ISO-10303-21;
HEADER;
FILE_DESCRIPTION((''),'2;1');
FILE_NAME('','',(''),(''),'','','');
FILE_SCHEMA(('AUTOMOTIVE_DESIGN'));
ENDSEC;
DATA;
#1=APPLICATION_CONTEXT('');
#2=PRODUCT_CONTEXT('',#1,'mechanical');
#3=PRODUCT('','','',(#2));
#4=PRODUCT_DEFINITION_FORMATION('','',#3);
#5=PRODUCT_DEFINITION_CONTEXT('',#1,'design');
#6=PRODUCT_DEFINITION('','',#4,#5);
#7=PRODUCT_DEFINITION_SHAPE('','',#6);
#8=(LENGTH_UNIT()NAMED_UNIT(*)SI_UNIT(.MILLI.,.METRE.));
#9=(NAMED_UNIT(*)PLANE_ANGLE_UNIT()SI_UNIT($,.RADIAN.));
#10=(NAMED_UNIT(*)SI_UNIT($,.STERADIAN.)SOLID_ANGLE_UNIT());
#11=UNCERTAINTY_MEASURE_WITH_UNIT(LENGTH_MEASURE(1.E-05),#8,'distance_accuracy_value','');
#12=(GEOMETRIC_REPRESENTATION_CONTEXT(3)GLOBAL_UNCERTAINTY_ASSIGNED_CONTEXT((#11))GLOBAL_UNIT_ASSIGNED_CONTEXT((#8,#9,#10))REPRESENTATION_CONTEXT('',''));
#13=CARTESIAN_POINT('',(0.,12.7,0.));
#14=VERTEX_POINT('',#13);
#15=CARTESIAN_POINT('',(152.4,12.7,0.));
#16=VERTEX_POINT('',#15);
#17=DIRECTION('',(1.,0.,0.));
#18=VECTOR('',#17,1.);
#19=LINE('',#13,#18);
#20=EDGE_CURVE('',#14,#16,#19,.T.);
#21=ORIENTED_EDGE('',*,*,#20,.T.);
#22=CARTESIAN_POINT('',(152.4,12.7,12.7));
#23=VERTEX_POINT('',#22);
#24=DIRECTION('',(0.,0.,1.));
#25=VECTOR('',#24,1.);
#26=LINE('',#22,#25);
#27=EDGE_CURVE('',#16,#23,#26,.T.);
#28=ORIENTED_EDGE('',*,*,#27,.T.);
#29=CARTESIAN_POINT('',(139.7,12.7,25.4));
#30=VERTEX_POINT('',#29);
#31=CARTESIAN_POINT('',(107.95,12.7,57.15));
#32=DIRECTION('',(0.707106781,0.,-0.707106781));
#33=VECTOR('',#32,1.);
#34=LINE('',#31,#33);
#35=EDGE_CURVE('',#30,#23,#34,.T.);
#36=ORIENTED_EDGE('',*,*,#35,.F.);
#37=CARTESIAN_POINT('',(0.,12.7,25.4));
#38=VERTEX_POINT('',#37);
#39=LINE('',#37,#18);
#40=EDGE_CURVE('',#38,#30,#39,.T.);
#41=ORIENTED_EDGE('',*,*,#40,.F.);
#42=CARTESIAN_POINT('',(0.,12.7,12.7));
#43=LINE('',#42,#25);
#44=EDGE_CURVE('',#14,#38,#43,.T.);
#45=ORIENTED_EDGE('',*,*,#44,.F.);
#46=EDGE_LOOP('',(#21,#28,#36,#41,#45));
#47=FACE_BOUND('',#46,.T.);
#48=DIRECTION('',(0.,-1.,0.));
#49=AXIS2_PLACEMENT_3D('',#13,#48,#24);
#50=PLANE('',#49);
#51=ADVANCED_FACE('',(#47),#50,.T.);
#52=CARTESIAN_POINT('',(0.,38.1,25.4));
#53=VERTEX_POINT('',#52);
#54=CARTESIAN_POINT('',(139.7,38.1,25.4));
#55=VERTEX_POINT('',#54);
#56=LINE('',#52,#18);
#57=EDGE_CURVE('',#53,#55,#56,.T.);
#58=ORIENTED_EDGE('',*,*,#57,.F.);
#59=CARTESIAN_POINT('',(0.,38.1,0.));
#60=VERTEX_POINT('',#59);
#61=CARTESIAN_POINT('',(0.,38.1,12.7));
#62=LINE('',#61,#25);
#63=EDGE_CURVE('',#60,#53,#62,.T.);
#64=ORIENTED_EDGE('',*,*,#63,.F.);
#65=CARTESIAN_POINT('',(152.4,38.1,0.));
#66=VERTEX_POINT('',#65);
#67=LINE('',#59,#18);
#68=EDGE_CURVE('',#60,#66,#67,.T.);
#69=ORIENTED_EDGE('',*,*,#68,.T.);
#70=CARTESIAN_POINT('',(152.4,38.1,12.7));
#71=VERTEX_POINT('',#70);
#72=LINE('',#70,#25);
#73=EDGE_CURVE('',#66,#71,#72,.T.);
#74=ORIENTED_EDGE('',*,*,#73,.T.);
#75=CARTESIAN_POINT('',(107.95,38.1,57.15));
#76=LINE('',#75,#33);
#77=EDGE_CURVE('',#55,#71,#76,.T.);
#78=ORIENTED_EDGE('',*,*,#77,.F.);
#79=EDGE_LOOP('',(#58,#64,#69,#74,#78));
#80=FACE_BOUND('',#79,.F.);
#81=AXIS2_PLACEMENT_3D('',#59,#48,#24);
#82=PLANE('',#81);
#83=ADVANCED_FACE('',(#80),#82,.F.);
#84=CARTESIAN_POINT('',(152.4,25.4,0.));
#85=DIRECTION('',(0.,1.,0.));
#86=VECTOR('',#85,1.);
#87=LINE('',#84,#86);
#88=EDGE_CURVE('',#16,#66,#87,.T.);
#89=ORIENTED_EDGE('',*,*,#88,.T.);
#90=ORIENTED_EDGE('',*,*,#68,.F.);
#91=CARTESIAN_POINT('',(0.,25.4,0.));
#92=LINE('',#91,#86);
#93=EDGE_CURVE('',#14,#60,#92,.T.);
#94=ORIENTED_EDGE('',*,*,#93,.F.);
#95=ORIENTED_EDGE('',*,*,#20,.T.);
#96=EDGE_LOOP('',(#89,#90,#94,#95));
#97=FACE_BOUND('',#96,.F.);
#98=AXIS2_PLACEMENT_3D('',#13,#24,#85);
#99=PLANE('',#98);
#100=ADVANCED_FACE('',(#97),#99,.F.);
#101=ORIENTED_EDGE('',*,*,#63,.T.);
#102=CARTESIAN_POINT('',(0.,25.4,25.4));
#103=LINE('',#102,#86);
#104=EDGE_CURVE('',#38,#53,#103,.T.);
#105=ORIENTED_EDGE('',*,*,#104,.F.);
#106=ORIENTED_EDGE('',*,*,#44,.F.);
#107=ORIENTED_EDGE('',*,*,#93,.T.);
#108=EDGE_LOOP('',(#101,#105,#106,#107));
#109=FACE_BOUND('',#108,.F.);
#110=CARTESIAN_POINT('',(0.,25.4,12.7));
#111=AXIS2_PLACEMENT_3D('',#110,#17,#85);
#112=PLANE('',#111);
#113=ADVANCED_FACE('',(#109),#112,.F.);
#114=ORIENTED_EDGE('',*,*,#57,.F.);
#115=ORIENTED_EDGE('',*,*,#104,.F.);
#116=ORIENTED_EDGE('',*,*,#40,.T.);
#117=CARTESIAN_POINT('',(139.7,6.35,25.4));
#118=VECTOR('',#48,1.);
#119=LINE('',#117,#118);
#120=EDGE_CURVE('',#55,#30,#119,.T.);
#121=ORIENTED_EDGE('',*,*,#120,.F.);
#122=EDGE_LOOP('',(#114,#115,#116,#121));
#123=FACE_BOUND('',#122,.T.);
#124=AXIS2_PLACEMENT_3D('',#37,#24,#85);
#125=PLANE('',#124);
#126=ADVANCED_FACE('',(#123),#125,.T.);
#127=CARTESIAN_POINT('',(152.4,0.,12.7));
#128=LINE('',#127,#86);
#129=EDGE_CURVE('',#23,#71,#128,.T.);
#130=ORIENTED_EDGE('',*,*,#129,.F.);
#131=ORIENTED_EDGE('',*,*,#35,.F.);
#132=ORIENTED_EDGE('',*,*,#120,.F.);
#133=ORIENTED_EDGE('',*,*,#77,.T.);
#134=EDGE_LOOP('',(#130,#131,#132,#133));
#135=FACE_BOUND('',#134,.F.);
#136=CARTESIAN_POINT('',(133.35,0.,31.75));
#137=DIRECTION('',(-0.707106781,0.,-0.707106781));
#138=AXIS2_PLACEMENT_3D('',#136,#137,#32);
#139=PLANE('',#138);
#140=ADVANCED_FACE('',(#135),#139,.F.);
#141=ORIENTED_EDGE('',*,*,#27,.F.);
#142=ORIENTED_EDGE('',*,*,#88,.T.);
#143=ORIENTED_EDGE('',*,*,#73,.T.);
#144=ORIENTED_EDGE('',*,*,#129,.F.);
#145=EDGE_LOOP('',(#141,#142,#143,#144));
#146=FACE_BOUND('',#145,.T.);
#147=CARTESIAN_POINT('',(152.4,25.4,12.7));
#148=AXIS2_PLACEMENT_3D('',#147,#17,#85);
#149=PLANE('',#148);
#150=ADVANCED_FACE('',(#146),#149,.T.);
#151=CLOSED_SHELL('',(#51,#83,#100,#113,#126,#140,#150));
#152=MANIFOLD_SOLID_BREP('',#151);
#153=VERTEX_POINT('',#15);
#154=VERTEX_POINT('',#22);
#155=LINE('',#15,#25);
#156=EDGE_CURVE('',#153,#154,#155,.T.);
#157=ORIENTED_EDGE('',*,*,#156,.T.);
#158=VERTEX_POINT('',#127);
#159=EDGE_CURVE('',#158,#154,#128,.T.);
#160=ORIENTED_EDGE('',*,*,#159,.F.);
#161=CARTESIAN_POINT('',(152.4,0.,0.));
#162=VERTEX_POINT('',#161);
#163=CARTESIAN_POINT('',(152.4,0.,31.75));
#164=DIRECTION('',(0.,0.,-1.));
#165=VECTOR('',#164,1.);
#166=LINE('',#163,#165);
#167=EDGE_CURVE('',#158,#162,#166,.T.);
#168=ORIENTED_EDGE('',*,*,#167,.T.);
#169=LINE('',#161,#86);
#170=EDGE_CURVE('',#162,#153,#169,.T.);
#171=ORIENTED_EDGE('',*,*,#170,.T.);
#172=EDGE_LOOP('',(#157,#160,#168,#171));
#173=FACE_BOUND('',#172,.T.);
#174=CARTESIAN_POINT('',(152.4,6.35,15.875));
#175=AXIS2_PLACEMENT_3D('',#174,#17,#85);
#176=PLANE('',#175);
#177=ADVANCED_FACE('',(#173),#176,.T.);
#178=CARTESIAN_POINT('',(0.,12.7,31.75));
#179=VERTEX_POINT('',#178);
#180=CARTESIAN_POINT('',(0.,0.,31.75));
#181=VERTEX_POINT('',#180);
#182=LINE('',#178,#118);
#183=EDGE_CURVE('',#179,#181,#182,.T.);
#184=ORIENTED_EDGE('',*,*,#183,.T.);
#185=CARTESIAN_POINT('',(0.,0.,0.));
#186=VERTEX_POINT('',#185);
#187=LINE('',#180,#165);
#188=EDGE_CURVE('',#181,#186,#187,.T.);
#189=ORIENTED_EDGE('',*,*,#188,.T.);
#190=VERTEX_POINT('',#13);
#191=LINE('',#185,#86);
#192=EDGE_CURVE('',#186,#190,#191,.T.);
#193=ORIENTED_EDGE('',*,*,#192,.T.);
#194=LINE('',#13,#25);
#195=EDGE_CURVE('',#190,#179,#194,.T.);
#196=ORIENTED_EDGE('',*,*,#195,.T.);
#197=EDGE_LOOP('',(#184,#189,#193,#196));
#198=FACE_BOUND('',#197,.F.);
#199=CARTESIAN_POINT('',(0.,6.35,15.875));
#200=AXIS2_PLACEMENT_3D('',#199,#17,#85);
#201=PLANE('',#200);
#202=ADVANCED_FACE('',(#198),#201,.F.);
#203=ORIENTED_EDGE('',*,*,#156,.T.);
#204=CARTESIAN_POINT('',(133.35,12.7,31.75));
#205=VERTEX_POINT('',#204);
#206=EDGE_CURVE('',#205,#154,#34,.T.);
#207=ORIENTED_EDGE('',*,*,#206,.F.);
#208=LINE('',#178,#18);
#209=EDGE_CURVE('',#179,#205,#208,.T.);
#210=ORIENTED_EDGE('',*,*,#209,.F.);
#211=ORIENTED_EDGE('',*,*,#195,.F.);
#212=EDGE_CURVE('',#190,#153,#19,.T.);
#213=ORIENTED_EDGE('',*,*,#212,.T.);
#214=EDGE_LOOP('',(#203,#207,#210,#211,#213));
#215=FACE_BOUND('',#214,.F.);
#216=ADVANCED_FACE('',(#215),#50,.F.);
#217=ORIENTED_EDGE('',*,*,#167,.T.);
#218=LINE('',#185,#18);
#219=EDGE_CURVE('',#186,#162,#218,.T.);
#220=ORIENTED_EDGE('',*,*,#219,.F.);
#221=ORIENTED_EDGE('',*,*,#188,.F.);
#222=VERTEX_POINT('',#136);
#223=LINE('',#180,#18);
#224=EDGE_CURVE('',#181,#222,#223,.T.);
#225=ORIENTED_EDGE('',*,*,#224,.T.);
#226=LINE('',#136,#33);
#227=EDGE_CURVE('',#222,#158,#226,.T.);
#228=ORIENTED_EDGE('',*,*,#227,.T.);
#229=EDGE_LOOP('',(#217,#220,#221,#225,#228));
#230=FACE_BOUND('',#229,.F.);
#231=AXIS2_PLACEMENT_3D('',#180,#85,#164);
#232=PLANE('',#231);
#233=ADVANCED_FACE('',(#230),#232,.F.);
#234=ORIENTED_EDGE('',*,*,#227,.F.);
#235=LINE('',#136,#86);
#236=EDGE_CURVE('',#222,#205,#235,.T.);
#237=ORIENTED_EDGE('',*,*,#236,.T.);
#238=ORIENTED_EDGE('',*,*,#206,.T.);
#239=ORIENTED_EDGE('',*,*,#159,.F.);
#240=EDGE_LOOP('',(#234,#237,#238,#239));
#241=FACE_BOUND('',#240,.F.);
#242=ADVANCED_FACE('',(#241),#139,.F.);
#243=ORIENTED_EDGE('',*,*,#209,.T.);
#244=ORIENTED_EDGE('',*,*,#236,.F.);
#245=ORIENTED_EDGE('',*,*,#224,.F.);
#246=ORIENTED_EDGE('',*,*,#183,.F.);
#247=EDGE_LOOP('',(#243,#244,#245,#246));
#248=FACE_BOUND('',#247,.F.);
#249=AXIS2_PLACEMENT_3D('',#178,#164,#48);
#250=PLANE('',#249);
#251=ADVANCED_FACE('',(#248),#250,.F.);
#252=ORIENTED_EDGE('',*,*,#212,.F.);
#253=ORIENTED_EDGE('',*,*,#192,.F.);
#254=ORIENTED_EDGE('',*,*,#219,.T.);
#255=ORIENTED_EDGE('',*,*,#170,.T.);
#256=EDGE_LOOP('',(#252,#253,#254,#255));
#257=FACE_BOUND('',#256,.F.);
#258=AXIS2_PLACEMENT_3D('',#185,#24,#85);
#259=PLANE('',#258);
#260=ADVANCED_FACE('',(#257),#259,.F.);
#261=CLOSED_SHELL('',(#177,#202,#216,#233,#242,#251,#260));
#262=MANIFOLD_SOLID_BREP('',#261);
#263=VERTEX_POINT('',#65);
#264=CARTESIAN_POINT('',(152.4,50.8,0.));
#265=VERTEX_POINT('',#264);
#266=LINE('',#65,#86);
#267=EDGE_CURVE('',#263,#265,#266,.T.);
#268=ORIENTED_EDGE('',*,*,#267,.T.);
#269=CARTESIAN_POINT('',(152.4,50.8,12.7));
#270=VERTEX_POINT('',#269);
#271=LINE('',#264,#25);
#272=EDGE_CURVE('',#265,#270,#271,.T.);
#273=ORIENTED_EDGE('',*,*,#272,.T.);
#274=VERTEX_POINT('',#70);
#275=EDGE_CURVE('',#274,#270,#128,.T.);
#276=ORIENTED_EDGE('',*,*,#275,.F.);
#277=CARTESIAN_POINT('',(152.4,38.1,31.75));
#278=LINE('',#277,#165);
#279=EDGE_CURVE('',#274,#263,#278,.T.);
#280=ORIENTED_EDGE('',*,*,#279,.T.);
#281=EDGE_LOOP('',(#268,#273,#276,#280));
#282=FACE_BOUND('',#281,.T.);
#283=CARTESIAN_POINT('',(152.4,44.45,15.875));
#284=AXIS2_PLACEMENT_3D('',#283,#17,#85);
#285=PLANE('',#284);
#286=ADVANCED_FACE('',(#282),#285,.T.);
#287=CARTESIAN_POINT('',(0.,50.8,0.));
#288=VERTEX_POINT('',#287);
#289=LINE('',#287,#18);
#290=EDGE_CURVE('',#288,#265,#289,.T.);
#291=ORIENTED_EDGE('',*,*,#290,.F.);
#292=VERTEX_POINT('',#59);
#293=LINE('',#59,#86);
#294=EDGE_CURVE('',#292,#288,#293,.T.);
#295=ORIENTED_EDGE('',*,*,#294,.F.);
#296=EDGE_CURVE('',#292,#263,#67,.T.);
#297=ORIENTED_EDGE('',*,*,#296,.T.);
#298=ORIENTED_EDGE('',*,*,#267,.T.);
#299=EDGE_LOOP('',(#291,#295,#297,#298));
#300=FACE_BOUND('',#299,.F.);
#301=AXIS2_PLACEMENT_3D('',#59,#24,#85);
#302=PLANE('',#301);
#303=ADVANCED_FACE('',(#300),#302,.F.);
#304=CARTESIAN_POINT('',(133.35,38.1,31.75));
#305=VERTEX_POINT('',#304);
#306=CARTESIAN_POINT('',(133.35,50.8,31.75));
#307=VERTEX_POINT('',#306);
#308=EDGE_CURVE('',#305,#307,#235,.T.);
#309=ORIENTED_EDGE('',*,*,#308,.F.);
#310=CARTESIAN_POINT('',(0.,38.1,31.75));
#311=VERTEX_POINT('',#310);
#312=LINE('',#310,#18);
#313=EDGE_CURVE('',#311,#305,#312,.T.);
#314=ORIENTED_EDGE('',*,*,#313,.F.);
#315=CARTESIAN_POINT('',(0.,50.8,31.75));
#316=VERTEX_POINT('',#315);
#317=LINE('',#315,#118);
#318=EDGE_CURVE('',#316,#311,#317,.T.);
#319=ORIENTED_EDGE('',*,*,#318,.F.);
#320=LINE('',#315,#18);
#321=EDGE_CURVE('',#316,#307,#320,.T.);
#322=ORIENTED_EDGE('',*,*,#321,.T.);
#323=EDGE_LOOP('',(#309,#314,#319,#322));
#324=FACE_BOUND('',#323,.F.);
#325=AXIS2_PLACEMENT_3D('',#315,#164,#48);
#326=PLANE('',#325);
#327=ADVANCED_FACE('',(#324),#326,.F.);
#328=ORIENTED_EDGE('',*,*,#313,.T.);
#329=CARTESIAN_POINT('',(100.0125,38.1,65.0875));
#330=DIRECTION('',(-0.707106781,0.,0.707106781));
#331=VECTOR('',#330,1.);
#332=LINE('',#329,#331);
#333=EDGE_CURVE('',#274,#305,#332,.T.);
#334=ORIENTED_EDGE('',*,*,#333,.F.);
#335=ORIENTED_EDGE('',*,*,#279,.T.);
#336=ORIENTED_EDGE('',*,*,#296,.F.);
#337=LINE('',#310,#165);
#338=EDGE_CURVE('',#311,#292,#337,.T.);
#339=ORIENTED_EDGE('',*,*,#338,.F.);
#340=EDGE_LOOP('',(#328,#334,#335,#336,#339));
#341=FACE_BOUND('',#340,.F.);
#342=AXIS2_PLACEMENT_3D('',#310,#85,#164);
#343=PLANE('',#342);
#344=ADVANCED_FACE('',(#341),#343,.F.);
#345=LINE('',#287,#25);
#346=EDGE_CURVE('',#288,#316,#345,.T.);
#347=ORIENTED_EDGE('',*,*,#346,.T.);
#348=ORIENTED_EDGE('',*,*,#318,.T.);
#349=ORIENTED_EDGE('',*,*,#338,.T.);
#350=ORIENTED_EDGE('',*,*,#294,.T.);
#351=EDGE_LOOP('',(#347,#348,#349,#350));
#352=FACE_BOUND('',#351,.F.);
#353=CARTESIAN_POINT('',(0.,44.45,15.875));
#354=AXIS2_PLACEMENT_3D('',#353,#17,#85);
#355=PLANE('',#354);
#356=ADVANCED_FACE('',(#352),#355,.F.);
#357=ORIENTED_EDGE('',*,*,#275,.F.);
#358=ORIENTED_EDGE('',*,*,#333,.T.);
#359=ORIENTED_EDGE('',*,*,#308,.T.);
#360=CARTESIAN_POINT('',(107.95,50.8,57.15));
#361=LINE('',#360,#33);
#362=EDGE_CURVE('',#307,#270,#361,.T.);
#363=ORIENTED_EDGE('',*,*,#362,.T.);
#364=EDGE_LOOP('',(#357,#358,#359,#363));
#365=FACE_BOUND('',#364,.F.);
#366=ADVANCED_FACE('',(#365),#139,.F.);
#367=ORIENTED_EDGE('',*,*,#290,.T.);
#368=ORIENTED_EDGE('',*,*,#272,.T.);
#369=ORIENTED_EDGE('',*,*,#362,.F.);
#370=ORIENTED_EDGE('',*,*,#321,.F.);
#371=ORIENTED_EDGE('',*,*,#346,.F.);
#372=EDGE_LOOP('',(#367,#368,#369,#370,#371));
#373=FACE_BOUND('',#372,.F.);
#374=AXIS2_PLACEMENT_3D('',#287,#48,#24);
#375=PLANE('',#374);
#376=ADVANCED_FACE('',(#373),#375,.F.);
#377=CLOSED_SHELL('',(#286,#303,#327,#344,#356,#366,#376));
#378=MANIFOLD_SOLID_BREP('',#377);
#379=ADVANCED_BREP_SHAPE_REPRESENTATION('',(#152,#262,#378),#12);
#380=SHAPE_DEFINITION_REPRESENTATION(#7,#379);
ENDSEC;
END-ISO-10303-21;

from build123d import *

# Parameters (mm, degrees)
F1_DEPTH = 152.4
F0_W     = 25.4
F0_H     = 25.4
F2_DEPTH = 152.4
F4_DEPTH = 50.801


with BuildPart() as f1:
    # F0 (on Right) → F1 (new body)
    with BuildSketch(Plane.YZ):
        Polygon((0, 31.75), (0, 0), (12.7, 0), (12.7, 25.4), (12.7, 31.75), align=None)
        Polygon((38.1, 25.4), (38.1, 0), (50.8, 0), (50.8, 31.75), (38.1, 31.75), align=None)
    extrude(amount=F1_DEPTH)


with BuildPart() as f2:
    # F0 (on Right) → F2 (new body, through all)
    with BuildSketch(Plane.YZ):
        with Locations((25.4, 12.7)):
            Rectangle(F0_W, F0_H)
    extrude(amount=F2_DEPTH)


with BuildPart() as f4_tool:
    # F3 (on face) → F4 (new body, through all)
    with BuildSketch(Plane.XZ):
        Polygon((133.35, 31.75), (152.4, 12.7), (152.4, 31.75), align=None)
    extrude(amount=-F4_DEPTH)


with BuildPart() as f1_1:
    add(f1.part)

    # F4: cut by f4_tool
    add(f4_tool.part, mode=Mode.SUBTRACT)


with BuildPart() as f2_1:
    add(f2.part)

    # F4: cut by f4_tool
    add(f4_tool.part, mode=Mode.SUBTRACT)


solid = Compound([f1_1.part, f2_1.part])
